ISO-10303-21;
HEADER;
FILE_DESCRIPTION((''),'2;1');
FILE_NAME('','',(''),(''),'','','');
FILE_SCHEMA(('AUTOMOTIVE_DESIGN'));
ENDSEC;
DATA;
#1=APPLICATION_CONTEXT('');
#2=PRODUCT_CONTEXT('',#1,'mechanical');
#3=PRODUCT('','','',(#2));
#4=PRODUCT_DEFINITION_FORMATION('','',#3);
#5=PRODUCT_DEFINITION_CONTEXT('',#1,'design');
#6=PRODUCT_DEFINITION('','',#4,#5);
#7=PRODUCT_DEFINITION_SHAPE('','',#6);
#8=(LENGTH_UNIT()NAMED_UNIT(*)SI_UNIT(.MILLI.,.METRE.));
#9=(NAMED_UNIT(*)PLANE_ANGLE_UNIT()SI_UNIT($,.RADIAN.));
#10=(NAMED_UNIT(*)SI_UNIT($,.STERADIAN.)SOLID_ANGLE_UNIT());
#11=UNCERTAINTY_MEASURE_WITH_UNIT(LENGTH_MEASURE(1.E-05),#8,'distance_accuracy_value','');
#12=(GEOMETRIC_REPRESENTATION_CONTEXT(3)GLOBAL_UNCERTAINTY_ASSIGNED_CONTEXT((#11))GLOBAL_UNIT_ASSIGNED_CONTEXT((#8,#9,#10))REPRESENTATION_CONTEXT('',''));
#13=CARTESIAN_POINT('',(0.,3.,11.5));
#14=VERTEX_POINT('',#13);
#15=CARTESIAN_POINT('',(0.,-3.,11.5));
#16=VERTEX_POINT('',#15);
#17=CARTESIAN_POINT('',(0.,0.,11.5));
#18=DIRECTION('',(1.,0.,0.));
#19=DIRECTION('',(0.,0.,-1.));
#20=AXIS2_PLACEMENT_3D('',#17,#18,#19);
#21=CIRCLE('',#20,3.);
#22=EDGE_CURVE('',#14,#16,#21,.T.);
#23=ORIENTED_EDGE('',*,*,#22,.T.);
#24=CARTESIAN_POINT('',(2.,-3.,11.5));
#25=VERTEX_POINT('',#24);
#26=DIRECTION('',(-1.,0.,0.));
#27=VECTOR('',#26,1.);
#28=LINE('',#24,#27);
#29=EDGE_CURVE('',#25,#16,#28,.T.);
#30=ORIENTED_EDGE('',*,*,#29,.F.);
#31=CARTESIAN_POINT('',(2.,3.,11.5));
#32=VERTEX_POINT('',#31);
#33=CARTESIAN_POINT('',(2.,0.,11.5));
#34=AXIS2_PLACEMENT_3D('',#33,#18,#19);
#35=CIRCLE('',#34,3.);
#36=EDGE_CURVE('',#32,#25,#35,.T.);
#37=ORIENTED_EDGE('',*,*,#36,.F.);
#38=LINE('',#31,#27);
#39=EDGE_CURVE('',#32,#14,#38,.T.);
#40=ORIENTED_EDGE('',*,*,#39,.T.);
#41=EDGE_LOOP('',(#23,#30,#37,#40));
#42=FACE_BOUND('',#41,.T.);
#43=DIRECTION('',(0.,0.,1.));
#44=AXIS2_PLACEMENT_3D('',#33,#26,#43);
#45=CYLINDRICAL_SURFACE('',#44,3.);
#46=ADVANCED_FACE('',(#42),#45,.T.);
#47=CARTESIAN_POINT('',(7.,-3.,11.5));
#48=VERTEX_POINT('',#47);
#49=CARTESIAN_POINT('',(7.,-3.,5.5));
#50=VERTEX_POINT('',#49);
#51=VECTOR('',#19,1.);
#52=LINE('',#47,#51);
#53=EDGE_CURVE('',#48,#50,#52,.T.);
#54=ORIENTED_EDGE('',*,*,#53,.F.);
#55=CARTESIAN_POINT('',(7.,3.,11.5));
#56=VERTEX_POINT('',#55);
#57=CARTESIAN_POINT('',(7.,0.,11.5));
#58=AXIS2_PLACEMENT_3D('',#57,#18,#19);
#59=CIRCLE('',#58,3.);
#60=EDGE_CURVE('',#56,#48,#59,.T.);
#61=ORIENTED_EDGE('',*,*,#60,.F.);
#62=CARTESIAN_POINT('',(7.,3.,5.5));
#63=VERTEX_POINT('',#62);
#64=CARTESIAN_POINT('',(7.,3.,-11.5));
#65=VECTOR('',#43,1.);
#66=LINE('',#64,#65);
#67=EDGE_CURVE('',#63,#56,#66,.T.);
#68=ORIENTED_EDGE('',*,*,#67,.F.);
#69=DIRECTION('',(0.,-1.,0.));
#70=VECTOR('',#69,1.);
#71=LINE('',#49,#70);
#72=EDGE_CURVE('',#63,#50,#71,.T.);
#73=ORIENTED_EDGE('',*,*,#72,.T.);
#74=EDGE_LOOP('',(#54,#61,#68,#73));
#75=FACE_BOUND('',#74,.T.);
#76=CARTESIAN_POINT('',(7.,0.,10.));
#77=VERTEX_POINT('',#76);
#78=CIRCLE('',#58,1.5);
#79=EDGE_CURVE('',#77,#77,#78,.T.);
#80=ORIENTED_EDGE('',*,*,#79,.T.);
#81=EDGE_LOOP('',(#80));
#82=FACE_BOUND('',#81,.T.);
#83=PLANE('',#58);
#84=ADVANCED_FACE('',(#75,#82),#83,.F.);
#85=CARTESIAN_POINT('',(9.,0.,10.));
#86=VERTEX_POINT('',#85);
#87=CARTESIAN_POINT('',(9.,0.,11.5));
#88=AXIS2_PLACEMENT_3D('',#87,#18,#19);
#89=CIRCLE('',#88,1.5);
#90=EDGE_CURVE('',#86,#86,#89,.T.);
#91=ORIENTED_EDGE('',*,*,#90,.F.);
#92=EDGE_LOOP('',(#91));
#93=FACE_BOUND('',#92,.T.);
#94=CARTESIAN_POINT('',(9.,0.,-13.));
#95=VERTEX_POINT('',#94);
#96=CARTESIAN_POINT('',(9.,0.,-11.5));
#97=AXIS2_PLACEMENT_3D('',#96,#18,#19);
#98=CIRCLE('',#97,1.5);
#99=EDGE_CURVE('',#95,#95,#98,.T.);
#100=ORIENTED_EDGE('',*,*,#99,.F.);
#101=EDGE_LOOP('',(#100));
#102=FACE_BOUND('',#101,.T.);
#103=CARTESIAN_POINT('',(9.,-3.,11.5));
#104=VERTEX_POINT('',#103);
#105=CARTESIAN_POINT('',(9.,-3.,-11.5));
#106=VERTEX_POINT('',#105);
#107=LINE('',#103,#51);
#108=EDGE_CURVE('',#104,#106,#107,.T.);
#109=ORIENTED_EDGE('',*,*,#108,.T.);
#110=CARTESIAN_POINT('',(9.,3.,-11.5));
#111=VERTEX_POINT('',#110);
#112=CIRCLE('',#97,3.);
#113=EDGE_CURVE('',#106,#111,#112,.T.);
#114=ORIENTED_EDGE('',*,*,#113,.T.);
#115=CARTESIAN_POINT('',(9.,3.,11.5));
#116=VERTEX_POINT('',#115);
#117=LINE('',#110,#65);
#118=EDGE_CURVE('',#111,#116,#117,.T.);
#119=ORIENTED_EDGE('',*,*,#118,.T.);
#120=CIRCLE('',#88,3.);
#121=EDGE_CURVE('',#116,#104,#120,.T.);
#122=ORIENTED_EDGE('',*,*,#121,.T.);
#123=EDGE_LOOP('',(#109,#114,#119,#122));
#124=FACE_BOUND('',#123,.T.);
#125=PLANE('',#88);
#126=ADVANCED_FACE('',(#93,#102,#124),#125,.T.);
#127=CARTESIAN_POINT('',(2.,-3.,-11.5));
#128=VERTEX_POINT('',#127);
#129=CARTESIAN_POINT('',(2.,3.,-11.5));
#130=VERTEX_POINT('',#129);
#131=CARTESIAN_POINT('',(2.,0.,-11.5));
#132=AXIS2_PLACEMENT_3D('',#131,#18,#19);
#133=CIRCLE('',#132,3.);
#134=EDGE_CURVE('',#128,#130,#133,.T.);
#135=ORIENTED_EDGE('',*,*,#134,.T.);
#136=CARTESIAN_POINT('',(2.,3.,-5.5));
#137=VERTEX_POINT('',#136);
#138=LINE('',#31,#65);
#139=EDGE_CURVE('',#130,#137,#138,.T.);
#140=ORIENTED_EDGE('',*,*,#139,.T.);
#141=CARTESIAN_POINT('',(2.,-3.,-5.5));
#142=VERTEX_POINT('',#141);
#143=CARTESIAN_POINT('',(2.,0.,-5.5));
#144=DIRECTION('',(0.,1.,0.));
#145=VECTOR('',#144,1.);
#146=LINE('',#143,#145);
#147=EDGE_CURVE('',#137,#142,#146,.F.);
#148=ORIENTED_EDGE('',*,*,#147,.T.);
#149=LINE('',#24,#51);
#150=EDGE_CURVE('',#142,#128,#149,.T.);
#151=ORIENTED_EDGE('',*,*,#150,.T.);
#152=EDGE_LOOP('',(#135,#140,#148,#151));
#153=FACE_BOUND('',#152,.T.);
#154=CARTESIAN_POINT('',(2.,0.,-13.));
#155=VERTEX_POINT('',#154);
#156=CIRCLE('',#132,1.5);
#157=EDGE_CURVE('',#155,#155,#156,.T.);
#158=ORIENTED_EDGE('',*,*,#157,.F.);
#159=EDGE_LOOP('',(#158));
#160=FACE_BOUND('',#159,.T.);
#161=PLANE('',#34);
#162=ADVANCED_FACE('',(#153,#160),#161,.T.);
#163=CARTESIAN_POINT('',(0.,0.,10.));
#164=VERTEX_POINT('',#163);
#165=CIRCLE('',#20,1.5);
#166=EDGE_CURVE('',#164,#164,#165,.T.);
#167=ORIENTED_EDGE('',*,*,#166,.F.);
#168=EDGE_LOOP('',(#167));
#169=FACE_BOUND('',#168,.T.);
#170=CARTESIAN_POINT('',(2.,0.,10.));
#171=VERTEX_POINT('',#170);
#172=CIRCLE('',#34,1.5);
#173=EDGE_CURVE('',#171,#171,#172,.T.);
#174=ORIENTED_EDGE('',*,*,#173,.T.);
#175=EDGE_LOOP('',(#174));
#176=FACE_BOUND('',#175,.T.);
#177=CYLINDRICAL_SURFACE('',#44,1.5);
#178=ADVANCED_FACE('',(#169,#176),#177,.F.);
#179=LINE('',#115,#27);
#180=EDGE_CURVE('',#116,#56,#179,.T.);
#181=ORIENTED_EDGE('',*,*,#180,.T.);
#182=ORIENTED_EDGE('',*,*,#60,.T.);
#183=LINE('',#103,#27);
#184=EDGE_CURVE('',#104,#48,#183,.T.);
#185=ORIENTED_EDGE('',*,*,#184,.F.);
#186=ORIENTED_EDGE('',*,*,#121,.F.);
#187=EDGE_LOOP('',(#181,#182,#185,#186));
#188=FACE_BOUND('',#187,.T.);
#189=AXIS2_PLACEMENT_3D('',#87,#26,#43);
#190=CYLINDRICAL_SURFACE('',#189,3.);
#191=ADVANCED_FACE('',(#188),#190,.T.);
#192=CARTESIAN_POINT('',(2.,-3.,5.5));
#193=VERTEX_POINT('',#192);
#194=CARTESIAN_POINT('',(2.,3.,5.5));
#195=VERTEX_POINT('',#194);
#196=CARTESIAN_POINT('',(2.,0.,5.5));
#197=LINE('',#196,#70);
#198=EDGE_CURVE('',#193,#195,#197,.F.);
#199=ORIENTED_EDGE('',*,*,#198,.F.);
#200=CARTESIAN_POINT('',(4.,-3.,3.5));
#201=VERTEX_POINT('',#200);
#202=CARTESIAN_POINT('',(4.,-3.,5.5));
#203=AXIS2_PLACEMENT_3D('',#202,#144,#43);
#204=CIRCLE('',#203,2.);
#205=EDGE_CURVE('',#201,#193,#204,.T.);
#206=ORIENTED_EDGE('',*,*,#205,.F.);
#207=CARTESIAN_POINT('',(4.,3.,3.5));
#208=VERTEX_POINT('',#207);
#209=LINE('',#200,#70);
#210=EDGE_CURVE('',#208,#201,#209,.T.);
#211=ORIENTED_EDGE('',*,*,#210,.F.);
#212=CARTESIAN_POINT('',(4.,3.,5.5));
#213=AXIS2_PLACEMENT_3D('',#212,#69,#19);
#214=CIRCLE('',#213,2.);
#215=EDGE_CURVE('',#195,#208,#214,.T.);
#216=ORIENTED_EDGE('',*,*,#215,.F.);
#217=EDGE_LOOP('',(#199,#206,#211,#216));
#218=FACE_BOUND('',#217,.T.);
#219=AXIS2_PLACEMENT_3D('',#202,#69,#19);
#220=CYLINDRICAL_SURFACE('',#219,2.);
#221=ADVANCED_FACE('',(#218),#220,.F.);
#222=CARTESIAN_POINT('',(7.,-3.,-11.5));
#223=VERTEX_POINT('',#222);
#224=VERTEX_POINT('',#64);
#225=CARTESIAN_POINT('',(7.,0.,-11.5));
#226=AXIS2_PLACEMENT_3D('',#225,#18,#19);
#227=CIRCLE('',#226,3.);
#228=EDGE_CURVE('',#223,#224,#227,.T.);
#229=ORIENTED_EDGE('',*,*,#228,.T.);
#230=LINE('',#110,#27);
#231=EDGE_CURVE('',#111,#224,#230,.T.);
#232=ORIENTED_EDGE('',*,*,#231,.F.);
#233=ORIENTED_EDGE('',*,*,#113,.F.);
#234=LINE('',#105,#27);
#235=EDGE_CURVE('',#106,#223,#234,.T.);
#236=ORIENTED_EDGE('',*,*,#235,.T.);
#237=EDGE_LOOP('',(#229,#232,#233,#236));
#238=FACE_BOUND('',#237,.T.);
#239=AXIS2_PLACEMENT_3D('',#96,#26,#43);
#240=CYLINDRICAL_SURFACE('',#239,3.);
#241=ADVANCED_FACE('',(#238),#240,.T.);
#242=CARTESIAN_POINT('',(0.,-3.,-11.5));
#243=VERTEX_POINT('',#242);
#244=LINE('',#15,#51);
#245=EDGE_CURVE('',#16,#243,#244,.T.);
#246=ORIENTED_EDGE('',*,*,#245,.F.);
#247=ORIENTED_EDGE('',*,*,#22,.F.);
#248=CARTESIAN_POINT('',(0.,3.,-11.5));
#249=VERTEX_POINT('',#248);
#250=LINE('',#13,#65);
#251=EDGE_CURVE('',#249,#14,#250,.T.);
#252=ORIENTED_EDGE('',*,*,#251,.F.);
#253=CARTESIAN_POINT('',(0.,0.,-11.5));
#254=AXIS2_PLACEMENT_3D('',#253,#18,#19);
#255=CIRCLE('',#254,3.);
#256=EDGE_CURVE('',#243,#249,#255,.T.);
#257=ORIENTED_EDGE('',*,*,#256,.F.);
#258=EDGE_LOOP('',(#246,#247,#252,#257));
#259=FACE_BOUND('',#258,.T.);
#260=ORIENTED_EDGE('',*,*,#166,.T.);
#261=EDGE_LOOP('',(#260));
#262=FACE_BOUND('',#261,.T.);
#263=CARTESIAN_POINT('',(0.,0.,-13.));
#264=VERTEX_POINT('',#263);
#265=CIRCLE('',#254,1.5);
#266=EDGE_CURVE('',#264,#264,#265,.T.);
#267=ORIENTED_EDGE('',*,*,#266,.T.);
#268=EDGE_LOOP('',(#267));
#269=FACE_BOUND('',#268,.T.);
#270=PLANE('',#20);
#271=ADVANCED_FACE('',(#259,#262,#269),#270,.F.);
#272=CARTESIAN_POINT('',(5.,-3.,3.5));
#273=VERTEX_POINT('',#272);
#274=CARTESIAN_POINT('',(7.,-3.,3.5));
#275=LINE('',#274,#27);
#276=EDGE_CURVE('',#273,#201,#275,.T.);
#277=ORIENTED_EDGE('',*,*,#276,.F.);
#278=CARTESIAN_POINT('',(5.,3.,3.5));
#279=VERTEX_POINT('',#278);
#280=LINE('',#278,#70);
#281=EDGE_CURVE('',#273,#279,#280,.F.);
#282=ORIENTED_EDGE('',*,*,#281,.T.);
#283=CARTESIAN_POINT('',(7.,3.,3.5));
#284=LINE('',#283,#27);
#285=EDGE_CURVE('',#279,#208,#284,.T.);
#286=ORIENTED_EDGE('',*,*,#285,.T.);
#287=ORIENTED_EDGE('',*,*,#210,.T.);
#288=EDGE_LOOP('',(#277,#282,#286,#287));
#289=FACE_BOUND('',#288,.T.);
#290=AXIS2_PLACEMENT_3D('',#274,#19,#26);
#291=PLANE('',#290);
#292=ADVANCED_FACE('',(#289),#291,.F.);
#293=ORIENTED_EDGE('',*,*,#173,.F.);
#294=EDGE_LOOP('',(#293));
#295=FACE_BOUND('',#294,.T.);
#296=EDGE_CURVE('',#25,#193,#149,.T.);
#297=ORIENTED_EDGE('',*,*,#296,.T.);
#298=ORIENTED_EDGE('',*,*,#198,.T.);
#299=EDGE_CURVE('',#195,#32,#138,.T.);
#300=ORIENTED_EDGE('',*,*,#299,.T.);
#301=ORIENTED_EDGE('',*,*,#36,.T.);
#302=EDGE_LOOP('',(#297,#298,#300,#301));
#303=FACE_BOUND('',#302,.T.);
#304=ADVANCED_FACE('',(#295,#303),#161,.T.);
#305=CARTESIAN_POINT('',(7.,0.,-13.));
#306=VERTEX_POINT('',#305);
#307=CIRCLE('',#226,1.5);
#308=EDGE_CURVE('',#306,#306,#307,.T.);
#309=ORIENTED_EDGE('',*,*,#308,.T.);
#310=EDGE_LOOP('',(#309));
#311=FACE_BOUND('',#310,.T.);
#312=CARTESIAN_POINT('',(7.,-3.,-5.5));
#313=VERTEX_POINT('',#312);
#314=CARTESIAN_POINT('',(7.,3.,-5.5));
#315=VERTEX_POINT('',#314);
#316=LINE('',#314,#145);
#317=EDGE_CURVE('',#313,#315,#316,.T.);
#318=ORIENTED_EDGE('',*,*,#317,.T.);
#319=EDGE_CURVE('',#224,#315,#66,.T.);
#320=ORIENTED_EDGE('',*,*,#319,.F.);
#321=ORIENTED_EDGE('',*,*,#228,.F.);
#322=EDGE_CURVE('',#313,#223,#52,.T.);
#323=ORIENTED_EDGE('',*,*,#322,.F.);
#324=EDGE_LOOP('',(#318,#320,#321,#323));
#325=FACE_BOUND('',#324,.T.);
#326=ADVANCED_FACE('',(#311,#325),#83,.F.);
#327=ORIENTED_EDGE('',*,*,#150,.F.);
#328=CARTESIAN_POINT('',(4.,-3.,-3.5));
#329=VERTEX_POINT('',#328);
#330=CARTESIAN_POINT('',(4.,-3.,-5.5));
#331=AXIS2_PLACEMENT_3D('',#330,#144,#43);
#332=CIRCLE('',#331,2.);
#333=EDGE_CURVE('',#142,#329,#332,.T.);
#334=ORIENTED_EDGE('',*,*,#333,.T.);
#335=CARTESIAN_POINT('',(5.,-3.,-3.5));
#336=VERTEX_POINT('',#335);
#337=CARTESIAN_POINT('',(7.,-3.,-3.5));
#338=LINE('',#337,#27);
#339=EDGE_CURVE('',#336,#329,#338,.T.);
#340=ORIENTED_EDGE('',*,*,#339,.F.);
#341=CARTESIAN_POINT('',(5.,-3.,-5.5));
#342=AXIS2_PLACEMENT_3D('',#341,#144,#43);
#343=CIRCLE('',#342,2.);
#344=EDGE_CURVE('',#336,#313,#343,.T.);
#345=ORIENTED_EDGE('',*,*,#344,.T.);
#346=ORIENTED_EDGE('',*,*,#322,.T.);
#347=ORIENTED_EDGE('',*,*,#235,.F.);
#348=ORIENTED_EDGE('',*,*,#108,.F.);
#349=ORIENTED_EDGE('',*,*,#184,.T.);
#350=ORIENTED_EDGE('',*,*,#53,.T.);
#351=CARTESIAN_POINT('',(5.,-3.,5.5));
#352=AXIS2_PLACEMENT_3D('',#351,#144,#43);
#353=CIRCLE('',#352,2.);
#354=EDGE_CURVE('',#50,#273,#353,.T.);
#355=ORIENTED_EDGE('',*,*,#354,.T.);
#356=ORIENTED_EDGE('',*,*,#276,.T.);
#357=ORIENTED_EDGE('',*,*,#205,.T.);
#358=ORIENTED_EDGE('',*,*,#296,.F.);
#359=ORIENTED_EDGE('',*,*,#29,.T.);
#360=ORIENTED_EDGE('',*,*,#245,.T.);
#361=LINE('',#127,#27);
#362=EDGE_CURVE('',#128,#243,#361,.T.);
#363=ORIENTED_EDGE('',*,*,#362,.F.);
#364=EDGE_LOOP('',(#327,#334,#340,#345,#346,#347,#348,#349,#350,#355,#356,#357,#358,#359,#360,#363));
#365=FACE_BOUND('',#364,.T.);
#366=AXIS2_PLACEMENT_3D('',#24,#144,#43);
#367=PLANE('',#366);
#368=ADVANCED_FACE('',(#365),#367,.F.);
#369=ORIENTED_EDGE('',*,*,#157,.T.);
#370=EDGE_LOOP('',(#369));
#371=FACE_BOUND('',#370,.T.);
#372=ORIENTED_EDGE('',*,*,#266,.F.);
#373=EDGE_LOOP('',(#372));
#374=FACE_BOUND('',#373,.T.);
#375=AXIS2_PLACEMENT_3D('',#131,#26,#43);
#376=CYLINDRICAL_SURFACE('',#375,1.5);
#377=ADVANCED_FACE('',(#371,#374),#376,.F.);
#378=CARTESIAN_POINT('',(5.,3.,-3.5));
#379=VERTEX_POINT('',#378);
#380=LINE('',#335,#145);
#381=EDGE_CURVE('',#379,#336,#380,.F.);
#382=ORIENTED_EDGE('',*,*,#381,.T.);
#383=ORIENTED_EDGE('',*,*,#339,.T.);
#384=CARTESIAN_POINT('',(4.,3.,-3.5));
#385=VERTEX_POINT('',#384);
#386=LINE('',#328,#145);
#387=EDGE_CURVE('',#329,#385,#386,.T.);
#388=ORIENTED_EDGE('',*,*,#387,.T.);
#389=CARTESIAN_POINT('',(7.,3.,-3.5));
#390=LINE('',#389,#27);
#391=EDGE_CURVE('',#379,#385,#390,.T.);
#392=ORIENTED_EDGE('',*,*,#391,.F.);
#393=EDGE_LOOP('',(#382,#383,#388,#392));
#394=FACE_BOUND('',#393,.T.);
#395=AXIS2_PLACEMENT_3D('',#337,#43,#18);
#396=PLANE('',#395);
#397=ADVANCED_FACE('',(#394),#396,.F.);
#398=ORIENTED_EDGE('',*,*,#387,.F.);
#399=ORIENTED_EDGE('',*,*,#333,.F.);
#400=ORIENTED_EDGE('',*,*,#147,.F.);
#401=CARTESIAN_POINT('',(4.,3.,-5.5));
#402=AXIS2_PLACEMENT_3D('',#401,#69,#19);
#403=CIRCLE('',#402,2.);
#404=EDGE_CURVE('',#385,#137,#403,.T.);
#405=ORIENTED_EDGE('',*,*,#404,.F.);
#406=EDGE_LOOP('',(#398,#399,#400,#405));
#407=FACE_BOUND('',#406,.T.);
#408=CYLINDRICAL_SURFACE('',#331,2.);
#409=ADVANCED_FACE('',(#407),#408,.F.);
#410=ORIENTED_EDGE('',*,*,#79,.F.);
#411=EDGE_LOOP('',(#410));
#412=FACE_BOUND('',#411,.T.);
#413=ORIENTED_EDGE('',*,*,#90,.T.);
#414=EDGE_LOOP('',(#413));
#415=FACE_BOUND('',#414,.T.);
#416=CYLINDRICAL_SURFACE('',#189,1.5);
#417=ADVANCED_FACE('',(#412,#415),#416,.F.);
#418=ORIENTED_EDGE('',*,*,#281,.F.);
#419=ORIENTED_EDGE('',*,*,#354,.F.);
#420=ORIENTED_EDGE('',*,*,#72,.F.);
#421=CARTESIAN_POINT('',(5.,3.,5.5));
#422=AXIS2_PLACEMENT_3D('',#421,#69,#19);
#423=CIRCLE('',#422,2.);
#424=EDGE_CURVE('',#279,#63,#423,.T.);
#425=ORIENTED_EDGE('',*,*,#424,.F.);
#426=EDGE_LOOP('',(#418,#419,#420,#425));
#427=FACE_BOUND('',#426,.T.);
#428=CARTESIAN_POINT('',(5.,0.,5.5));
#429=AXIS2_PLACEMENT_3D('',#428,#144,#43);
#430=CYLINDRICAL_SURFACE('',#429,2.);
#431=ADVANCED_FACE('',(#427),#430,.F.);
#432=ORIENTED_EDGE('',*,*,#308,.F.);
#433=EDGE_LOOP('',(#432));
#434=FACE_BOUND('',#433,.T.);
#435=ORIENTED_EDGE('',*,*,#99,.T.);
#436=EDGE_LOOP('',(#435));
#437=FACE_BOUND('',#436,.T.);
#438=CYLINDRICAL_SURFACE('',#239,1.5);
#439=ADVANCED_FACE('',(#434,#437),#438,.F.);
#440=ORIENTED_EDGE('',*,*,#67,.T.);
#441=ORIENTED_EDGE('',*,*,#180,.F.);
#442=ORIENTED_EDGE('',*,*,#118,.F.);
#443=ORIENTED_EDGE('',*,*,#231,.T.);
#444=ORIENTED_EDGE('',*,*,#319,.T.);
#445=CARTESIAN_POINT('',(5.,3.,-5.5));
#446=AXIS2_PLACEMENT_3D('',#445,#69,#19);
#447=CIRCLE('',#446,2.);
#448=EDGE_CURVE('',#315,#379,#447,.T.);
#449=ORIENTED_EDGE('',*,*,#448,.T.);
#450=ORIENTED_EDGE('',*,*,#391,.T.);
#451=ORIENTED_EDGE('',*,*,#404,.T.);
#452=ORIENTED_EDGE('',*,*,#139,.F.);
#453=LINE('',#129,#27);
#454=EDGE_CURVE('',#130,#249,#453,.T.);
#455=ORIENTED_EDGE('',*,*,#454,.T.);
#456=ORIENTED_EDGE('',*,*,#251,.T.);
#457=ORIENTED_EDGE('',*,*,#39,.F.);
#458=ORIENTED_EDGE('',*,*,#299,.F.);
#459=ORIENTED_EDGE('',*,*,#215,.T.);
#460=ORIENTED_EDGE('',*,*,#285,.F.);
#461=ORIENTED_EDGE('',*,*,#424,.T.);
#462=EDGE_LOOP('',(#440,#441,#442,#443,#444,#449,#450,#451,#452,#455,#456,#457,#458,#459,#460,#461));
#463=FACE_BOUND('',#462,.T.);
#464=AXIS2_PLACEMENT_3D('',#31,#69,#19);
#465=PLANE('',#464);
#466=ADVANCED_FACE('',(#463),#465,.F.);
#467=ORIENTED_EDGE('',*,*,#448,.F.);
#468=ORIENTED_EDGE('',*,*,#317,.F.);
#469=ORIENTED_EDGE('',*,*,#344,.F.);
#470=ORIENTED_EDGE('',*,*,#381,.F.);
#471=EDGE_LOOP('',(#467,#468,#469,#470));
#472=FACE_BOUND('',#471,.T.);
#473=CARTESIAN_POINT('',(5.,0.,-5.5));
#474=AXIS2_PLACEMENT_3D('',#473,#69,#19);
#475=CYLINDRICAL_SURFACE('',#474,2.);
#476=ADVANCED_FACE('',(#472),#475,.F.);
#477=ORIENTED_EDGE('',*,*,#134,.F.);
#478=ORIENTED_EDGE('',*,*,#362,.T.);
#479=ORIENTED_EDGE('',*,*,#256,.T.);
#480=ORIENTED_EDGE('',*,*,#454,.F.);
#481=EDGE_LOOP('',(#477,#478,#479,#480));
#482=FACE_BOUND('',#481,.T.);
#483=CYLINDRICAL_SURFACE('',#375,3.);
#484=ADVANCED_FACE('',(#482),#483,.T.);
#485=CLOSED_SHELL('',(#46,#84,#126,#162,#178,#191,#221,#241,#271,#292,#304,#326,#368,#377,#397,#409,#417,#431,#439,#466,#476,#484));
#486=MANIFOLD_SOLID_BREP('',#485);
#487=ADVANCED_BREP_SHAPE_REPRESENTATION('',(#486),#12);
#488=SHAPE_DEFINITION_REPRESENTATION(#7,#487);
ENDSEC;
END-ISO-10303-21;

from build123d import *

# Parameters (mm, degrees)
SKETCH1_R           = 1.5
BOSS_EXTRUDE1_DEPTH = 2
SKETCH2_W           = 7
SKETCH2_H           = 6
BOSS_EXTRUDE2_DEPTH = 5
SKETCH3_R           = 1.5
BOSS_EXTRUDE3_DEPTH = 2
FILLET1_R           = 2


with BuildPart() as part:
    # Sketch1 → Boss-Extrude1 (new body)
    with BuildSketch(Plane(origin=(0, 0, 0), x_dir=(0, 0, -1), z_dir=(1, 0, 0))):
        with BuildLine():
            Line((-11.5, 3), (11.5, 3))
            ThreePointArc((11.5, 3), (14.5, 0), (11.5, -3))
            Line((11.5, -3), (-11.5, -3))
            ThreePointArc((-11.5, -3), (-14.5, 0), (-11.5, 3))
        make_face()
        with Locations((-11.5, 0)):
            Circle(SKETCH1_R, mode=Mode.SUBTRACT)
        with Locations((11.5, 0)):
            Circle(SKETCH1_R, mode=Mode.SUBTRACT)
    extrude(amount=BOSS_EXTRUDE1_DEPTH)

    # Sketch2 → Boss-Extrude2 (add)
    with BuildSketch(Plane(origin=(2, 0, 0), x_dir=(0, 0, -1), z_dir=(1, 0, 0))):
        Rectangle(SKETCH2_W, SKETCH2_H)
    extrude(amount=BOSS_EXTRUDE2_DEPTH)

    # Sketch3 → Boss-Extrude3 (add)
    with BuildSketch(Plane(origin=(7, 0, 0), x_dir=(0, 0, -1), z_dir=(1, 0, 0))):
        with BuildLine():
            Line((11.5, 3), (-11.5, 3))
            ThreePointArc((-11.5, 3), (-14.5, 0), (-11.5, -3))
            Line((-11.5, -3), (11.5, -3))
            ThreePointArc((11.5, -3), (14.5, 0), (11.5, 3))
        make_face()
        with Locations((11.5, 0)):
            Circle(SKETCH3_R, mode=Mode.SUBTRACT)
        with Locations((-11.5, 0)):
            Circle(SKETCH3_R, mode=Mode.SUBTRACT)
    extrude(amount=BOSS_EXTRUDE3_DEPTH)

    # Fillet1
    fillet1_edges = [part.edges().sort_by_distance(p)[0] for p in [
        (2, 0, -3.5),
        (2, 0, 3.5),
        (7, 0, -3.5),
        (7, 0, 3.5),
    ]]
    fillet(fillet1_edges, radius=FILLET1_R)


solid = part.part
